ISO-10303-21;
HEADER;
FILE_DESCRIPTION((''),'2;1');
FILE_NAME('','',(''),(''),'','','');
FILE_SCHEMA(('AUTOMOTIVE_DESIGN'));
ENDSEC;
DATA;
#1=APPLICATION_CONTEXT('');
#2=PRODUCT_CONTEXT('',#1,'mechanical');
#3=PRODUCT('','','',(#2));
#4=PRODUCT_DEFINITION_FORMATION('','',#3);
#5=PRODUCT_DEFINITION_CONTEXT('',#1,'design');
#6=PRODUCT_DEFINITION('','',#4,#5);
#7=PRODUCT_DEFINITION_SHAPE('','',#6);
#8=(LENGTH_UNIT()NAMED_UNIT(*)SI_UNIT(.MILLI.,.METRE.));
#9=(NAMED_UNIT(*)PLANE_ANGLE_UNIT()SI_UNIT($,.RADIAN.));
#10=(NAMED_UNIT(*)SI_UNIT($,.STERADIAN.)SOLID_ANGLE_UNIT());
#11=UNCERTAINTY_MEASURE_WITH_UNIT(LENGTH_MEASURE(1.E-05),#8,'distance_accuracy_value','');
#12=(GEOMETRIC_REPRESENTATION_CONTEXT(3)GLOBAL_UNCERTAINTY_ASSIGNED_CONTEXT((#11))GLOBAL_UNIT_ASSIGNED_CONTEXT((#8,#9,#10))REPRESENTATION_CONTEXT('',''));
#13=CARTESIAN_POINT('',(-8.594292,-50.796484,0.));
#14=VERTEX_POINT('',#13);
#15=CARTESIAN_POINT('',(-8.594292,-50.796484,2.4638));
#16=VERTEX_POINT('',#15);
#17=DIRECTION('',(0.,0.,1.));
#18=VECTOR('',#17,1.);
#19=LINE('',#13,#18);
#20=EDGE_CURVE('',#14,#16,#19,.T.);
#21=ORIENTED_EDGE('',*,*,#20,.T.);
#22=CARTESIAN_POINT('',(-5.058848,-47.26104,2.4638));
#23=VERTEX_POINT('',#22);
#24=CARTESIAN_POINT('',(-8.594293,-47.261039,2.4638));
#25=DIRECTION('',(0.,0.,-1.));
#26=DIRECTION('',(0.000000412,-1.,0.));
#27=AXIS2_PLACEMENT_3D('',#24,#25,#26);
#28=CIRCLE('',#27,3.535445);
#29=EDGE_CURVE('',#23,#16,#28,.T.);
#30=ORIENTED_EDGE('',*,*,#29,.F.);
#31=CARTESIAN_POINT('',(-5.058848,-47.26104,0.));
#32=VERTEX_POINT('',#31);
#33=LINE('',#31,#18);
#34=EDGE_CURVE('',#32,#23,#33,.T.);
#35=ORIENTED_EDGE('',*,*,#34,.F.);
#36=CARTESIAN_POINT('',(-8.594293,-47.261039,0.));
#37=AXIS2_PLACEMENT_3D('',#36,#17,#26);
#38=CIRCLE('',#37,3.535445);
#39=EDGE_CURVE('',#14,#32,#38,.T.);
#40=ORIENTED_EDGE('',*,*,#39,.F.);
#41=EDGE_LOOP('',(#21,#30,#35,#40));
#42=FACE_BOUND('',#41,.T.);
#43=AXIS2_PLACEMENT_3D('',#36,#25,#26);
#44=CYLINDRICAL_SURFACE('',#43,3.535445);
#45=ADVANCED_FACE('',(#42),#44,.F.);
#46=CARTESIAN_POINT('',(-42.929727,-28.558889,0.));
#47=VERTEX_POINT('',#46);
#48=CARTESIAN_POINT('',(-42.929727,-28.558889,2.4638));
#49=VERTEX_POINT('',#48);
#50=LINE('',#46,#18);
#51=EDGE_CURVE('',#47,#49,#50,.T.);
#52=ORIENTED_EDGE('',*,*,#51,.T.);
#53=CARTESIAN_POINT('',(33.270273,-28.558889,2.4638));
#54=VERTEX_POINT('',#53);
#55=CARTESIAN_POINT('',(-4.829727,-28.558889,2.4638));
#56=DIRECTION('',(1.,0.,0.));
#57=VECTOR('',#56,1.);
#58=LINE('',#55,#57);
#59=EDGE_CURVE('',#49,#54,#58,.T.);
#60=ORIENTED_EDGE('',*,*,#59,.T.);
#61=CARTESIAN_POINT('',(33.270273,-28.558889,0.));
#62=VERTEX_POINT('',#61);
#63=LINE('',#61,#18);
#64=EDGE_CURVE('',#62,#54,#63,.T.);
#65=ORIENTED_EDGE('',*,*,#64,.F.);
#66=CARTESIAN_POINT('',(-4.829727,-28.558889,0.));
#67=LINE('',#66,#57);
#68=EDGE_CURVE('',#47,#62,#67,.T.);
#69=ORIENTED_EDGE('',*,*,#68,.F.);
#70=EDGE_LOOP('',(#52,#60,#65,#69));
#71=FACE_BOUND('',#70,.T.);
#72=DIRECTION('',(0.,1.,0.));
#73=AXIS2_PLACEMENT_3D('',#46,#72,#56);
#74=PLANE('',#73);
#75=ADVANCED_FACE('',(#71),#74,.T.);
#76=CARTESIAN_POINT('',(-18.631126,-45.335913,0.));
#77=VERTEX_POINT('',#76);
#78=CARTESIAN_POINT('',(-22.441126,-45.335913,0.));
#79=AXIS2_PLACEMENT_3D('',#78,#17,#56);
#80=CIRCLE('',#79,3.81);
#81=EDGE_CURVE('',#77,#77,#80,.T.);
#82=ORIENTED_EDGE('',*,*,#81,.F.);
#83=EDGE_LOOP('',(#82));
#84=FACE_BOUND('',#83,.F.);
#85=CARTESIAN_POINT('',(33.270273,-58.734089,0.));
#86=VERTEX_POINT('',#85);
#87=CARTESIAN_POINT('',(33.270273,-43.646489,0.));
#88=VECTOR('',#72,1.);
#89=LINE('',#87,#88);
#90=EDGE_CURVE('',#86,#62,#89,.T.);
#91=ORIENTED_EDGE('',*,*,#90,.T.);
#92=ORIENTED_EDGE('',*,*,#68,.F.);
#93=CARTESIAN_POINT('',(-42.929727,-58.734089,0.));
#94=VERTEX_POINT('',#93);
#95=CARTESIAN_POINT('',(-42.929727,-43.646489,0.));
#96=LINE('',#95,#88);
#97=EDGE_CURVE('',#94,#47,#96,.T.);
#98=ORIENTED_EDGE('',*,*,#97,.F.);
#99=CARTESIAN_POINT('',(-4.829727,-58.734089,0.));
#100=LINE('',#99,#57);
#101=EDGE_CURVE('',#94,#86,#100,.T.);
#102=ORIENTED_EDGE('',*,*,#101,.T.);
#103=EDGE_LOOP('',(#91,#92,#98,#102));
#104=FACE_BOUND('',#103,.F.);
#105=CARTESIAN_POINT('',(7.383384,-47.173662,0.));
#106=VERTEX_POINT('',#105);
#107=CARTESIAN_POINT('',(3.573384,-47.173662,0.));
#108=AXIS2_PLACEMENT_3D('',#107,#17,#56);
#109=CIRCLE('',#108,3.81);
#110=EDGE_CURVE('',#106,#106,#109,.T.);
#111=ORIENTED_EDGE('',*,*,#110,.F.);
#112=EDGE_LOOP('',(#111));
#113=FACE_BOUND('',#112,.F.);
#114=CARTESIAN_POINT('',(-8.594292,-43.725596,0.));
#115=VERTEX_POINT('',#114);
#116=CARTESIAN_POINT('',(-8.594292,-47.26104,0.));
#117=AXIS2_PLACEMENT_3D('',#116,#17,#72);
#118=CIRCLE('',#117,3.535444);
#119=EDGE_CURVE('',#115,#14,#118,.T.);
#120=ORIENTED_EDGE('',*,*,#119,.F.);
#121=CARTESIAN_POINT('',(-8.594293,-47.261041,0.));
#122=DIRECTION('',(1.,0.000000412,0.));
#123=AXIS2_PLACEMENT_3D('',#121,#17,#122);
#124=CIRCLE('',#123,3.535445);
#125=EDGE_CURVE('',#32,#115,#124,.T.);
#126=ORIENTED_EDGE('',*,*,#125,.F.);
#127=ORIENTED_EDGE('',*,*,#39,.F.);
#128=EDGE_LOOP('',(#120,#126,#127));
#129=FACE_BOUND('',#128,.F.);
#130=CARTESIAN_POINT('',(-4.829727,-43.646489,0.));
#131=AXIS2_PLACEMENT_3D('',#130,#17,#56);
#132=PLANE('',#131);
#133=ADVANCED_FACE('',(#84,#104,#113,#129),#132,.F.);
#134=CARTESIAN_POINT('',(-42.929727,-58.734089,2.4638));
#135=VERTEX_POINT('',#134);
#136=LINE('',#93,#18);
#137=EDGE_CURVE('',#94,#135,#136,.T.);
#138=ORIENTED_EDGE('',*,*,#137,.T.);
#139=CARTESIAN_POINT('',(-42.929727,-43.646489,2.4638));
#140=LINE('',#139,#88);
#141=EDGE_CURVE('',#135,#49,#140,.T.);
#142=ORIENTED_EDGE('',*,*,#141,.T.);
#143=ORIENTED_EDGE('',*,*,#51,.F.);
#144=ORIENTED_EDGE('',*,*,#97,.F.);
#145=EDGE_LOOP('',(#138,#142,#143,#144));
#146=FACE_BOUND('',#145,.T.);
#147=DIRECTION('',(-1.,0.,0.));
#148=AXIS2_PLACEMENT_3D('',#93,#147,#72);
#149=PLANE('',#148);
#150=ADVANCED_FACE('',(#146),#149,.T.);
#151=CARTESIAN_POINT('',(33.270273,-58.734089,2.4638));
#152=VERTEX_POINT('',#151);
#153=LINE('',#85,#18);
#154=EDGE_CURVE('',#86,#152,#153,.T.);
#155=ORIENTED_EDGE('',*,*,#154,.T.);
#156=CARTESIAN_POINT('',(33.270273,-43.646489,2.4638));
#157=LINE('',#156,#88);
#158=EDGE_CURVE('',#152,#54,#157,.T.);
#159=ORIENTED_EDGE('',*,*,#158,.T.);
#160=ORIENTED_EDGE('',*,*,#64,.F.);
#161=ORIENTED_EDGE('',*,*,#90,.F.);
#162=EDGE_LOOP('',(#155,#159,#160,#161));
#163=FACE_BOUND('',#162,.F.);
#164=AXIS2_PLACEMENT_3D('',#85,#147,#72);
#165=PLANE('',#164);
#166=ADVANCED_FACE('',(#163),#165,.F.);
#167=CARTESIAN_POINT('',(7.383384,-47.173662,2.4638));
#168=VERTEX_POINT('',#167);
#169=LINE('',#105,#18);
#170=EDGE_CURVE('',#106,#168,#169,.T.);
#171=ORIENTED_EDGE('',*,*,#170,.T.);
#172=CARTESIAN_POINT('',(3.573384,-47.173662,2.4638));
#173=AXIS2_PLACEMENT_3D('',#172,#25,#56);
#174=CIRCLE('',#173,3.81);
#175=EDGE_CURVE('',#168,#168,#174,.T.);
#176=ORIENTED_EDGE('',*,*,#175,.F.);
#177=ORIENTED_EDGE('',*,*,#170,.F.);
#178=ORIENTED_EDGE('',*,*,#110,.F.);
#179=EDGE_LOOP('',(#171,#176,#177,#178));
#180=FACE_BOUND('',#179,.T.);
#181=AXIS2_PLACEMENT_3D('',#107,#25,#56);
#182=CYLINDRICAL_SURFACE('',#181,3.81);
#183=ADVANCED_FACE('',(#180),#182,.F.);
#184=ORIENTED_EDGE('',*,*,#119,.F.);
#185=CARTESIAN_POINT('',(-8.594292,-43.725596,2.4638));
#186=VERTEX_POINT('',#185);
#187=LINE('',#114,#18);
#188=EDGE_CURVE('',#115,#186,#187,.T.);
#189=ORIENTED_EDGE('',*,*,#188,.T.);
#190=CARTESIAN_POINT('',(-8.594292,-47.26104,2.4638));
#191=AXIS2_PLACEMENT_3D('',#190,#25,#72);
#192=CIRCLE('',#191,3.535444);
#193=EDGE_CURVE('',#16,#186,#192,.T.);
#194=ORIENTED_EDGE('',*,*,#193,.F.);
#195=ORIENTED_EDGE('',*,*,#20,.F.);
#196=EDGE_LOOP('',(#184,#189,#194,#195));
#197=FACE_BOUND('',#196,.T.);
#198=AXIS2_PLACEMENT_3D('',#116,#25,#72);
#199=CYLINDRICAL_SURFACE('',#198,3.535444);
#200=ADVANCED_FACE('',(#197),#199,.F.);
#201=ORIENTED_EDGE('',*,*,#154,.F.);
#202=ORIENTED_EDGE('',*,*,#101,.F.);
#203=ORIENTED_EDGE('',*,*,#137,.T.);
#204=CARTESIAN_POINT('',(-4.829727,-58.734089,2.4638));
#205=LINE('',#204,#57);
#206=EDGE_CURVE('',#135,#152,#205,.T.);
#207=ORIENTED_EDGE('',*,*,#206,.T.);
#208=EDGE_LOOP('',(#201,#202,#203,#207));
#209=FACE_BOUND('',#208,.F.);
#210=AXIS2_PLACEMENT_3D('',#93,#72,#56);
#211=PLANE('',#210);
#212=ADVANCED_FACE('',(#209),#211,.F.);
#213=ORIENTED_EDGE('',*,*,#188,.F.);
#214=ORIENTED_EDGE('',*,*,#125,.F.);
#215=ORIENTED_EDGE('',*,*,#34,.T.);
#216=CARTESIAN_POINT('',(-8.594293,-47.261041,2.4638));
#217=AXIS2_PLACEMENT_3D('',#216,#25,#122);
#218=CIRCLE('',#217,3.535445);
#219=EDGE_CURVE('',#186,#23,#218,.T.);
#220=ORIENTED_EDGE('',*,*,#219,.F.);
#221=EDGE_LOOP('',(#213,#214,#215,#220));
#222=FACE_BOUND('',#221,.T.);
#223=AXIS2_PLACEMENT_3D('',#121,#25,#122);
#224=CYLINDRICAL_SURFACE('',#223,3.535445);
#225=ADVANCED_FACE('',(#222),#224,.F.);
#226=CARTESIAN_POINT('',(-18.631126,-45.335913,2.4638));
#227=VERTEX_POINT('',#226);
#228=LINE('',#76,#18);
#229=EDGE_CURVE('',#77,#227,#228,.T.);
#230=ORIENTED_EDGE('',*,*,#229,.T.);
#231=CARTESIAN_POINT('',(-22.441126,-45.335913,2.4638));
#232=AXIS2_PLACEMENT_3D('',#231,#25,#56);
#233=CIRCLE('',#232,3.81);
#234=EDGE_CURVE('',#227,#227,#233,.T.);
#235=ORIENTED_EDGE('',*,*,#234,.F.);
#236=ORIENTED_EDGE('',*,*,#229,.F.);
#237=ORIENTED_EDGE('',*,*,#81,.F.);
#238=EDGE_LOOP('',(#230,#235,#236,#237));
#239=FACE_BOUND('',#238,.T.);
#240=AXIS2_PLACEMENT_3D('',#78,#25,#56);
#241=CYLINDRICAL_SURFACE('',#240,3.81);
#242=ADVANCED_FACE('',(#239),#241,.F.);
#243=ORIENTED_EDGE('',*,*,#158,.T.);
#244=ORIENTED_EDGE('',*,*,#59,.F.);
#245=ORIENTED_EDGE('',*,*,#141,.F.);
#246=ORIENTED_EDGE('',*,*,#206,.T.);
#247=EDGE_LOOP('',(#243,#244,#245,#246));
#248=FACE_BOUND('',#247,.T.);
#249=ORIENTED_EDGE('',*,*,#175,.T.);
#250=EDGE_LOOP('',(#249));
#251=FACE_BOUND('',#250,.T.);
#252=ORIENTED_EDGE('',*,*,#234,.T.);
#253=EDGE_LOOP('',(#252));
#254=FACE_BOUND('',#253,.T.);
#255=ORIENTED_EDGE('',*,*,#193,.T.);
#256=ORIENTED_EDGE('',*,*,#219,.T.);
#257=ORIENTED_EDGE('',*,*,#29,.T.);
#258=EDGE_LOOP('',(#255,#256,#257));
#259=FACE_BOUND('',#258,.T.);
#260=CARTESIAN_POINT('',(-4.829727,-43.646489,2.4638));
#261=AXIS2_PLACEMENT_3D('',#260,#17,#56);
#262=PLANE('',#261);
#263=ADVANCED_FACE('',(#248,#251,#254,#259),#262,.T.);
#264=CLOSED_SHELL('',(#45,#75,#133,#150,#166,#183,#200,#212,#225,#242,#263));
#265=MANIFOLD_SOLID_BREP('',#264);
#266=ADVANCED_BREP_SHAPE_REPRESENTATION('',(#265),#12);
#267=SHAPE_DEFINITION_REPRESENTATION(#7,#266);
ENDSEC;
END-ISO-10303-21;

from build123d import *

# Parameters (mm, degrees)
F0_W     = 76.2
F0_H     = 30.1752
F1_DEPTH = 2.4638
F2_R     = 3.81
F3_DEPTH = 20.32


with BuildPart() as f1:
    # F0 (on Top) → F1 (new body)
    with BuildSketch(Plane.XY):
        with Locations((-4.829727, -43.646489)):
            Rectangle(F0_W, F0_H)
    extrude(amount=F1_DEPTH)

    # F2 (on Top) → F3 (cut)
    with BuildSketch(Plane.XY):
        with Locations((-22.441126, -45.335913)):
            Circle(F2_R)
        with BuildLine():
            ThreePointArc((-8.594292, -50.796484), (-6.094356, -49.760976), (-5.058848, -47.26104))
            ThreePointArc((-5.058848, -47.26104), (-6.094356, -44.761104), (-8.594292, -43.725596))
            Line((-8.594292, -43.725596), (-8.594292, -50.796484))
        make_face()
        with BuildLine():
            Line((-8.594292, -50.796484), (-8.594292, -43.725596))
            ThreePointArc((-8.594292, -43.725596), (-12.129736, -47.26104), (-8.594292, -50.796484))
        make_face()
        with Locations((3.573384, -47.173662)):
            Circle(F2_R)
    extrude(amount=F3_DEPTH, mode=Mode.SUBTRACT)


solid = f1.part
